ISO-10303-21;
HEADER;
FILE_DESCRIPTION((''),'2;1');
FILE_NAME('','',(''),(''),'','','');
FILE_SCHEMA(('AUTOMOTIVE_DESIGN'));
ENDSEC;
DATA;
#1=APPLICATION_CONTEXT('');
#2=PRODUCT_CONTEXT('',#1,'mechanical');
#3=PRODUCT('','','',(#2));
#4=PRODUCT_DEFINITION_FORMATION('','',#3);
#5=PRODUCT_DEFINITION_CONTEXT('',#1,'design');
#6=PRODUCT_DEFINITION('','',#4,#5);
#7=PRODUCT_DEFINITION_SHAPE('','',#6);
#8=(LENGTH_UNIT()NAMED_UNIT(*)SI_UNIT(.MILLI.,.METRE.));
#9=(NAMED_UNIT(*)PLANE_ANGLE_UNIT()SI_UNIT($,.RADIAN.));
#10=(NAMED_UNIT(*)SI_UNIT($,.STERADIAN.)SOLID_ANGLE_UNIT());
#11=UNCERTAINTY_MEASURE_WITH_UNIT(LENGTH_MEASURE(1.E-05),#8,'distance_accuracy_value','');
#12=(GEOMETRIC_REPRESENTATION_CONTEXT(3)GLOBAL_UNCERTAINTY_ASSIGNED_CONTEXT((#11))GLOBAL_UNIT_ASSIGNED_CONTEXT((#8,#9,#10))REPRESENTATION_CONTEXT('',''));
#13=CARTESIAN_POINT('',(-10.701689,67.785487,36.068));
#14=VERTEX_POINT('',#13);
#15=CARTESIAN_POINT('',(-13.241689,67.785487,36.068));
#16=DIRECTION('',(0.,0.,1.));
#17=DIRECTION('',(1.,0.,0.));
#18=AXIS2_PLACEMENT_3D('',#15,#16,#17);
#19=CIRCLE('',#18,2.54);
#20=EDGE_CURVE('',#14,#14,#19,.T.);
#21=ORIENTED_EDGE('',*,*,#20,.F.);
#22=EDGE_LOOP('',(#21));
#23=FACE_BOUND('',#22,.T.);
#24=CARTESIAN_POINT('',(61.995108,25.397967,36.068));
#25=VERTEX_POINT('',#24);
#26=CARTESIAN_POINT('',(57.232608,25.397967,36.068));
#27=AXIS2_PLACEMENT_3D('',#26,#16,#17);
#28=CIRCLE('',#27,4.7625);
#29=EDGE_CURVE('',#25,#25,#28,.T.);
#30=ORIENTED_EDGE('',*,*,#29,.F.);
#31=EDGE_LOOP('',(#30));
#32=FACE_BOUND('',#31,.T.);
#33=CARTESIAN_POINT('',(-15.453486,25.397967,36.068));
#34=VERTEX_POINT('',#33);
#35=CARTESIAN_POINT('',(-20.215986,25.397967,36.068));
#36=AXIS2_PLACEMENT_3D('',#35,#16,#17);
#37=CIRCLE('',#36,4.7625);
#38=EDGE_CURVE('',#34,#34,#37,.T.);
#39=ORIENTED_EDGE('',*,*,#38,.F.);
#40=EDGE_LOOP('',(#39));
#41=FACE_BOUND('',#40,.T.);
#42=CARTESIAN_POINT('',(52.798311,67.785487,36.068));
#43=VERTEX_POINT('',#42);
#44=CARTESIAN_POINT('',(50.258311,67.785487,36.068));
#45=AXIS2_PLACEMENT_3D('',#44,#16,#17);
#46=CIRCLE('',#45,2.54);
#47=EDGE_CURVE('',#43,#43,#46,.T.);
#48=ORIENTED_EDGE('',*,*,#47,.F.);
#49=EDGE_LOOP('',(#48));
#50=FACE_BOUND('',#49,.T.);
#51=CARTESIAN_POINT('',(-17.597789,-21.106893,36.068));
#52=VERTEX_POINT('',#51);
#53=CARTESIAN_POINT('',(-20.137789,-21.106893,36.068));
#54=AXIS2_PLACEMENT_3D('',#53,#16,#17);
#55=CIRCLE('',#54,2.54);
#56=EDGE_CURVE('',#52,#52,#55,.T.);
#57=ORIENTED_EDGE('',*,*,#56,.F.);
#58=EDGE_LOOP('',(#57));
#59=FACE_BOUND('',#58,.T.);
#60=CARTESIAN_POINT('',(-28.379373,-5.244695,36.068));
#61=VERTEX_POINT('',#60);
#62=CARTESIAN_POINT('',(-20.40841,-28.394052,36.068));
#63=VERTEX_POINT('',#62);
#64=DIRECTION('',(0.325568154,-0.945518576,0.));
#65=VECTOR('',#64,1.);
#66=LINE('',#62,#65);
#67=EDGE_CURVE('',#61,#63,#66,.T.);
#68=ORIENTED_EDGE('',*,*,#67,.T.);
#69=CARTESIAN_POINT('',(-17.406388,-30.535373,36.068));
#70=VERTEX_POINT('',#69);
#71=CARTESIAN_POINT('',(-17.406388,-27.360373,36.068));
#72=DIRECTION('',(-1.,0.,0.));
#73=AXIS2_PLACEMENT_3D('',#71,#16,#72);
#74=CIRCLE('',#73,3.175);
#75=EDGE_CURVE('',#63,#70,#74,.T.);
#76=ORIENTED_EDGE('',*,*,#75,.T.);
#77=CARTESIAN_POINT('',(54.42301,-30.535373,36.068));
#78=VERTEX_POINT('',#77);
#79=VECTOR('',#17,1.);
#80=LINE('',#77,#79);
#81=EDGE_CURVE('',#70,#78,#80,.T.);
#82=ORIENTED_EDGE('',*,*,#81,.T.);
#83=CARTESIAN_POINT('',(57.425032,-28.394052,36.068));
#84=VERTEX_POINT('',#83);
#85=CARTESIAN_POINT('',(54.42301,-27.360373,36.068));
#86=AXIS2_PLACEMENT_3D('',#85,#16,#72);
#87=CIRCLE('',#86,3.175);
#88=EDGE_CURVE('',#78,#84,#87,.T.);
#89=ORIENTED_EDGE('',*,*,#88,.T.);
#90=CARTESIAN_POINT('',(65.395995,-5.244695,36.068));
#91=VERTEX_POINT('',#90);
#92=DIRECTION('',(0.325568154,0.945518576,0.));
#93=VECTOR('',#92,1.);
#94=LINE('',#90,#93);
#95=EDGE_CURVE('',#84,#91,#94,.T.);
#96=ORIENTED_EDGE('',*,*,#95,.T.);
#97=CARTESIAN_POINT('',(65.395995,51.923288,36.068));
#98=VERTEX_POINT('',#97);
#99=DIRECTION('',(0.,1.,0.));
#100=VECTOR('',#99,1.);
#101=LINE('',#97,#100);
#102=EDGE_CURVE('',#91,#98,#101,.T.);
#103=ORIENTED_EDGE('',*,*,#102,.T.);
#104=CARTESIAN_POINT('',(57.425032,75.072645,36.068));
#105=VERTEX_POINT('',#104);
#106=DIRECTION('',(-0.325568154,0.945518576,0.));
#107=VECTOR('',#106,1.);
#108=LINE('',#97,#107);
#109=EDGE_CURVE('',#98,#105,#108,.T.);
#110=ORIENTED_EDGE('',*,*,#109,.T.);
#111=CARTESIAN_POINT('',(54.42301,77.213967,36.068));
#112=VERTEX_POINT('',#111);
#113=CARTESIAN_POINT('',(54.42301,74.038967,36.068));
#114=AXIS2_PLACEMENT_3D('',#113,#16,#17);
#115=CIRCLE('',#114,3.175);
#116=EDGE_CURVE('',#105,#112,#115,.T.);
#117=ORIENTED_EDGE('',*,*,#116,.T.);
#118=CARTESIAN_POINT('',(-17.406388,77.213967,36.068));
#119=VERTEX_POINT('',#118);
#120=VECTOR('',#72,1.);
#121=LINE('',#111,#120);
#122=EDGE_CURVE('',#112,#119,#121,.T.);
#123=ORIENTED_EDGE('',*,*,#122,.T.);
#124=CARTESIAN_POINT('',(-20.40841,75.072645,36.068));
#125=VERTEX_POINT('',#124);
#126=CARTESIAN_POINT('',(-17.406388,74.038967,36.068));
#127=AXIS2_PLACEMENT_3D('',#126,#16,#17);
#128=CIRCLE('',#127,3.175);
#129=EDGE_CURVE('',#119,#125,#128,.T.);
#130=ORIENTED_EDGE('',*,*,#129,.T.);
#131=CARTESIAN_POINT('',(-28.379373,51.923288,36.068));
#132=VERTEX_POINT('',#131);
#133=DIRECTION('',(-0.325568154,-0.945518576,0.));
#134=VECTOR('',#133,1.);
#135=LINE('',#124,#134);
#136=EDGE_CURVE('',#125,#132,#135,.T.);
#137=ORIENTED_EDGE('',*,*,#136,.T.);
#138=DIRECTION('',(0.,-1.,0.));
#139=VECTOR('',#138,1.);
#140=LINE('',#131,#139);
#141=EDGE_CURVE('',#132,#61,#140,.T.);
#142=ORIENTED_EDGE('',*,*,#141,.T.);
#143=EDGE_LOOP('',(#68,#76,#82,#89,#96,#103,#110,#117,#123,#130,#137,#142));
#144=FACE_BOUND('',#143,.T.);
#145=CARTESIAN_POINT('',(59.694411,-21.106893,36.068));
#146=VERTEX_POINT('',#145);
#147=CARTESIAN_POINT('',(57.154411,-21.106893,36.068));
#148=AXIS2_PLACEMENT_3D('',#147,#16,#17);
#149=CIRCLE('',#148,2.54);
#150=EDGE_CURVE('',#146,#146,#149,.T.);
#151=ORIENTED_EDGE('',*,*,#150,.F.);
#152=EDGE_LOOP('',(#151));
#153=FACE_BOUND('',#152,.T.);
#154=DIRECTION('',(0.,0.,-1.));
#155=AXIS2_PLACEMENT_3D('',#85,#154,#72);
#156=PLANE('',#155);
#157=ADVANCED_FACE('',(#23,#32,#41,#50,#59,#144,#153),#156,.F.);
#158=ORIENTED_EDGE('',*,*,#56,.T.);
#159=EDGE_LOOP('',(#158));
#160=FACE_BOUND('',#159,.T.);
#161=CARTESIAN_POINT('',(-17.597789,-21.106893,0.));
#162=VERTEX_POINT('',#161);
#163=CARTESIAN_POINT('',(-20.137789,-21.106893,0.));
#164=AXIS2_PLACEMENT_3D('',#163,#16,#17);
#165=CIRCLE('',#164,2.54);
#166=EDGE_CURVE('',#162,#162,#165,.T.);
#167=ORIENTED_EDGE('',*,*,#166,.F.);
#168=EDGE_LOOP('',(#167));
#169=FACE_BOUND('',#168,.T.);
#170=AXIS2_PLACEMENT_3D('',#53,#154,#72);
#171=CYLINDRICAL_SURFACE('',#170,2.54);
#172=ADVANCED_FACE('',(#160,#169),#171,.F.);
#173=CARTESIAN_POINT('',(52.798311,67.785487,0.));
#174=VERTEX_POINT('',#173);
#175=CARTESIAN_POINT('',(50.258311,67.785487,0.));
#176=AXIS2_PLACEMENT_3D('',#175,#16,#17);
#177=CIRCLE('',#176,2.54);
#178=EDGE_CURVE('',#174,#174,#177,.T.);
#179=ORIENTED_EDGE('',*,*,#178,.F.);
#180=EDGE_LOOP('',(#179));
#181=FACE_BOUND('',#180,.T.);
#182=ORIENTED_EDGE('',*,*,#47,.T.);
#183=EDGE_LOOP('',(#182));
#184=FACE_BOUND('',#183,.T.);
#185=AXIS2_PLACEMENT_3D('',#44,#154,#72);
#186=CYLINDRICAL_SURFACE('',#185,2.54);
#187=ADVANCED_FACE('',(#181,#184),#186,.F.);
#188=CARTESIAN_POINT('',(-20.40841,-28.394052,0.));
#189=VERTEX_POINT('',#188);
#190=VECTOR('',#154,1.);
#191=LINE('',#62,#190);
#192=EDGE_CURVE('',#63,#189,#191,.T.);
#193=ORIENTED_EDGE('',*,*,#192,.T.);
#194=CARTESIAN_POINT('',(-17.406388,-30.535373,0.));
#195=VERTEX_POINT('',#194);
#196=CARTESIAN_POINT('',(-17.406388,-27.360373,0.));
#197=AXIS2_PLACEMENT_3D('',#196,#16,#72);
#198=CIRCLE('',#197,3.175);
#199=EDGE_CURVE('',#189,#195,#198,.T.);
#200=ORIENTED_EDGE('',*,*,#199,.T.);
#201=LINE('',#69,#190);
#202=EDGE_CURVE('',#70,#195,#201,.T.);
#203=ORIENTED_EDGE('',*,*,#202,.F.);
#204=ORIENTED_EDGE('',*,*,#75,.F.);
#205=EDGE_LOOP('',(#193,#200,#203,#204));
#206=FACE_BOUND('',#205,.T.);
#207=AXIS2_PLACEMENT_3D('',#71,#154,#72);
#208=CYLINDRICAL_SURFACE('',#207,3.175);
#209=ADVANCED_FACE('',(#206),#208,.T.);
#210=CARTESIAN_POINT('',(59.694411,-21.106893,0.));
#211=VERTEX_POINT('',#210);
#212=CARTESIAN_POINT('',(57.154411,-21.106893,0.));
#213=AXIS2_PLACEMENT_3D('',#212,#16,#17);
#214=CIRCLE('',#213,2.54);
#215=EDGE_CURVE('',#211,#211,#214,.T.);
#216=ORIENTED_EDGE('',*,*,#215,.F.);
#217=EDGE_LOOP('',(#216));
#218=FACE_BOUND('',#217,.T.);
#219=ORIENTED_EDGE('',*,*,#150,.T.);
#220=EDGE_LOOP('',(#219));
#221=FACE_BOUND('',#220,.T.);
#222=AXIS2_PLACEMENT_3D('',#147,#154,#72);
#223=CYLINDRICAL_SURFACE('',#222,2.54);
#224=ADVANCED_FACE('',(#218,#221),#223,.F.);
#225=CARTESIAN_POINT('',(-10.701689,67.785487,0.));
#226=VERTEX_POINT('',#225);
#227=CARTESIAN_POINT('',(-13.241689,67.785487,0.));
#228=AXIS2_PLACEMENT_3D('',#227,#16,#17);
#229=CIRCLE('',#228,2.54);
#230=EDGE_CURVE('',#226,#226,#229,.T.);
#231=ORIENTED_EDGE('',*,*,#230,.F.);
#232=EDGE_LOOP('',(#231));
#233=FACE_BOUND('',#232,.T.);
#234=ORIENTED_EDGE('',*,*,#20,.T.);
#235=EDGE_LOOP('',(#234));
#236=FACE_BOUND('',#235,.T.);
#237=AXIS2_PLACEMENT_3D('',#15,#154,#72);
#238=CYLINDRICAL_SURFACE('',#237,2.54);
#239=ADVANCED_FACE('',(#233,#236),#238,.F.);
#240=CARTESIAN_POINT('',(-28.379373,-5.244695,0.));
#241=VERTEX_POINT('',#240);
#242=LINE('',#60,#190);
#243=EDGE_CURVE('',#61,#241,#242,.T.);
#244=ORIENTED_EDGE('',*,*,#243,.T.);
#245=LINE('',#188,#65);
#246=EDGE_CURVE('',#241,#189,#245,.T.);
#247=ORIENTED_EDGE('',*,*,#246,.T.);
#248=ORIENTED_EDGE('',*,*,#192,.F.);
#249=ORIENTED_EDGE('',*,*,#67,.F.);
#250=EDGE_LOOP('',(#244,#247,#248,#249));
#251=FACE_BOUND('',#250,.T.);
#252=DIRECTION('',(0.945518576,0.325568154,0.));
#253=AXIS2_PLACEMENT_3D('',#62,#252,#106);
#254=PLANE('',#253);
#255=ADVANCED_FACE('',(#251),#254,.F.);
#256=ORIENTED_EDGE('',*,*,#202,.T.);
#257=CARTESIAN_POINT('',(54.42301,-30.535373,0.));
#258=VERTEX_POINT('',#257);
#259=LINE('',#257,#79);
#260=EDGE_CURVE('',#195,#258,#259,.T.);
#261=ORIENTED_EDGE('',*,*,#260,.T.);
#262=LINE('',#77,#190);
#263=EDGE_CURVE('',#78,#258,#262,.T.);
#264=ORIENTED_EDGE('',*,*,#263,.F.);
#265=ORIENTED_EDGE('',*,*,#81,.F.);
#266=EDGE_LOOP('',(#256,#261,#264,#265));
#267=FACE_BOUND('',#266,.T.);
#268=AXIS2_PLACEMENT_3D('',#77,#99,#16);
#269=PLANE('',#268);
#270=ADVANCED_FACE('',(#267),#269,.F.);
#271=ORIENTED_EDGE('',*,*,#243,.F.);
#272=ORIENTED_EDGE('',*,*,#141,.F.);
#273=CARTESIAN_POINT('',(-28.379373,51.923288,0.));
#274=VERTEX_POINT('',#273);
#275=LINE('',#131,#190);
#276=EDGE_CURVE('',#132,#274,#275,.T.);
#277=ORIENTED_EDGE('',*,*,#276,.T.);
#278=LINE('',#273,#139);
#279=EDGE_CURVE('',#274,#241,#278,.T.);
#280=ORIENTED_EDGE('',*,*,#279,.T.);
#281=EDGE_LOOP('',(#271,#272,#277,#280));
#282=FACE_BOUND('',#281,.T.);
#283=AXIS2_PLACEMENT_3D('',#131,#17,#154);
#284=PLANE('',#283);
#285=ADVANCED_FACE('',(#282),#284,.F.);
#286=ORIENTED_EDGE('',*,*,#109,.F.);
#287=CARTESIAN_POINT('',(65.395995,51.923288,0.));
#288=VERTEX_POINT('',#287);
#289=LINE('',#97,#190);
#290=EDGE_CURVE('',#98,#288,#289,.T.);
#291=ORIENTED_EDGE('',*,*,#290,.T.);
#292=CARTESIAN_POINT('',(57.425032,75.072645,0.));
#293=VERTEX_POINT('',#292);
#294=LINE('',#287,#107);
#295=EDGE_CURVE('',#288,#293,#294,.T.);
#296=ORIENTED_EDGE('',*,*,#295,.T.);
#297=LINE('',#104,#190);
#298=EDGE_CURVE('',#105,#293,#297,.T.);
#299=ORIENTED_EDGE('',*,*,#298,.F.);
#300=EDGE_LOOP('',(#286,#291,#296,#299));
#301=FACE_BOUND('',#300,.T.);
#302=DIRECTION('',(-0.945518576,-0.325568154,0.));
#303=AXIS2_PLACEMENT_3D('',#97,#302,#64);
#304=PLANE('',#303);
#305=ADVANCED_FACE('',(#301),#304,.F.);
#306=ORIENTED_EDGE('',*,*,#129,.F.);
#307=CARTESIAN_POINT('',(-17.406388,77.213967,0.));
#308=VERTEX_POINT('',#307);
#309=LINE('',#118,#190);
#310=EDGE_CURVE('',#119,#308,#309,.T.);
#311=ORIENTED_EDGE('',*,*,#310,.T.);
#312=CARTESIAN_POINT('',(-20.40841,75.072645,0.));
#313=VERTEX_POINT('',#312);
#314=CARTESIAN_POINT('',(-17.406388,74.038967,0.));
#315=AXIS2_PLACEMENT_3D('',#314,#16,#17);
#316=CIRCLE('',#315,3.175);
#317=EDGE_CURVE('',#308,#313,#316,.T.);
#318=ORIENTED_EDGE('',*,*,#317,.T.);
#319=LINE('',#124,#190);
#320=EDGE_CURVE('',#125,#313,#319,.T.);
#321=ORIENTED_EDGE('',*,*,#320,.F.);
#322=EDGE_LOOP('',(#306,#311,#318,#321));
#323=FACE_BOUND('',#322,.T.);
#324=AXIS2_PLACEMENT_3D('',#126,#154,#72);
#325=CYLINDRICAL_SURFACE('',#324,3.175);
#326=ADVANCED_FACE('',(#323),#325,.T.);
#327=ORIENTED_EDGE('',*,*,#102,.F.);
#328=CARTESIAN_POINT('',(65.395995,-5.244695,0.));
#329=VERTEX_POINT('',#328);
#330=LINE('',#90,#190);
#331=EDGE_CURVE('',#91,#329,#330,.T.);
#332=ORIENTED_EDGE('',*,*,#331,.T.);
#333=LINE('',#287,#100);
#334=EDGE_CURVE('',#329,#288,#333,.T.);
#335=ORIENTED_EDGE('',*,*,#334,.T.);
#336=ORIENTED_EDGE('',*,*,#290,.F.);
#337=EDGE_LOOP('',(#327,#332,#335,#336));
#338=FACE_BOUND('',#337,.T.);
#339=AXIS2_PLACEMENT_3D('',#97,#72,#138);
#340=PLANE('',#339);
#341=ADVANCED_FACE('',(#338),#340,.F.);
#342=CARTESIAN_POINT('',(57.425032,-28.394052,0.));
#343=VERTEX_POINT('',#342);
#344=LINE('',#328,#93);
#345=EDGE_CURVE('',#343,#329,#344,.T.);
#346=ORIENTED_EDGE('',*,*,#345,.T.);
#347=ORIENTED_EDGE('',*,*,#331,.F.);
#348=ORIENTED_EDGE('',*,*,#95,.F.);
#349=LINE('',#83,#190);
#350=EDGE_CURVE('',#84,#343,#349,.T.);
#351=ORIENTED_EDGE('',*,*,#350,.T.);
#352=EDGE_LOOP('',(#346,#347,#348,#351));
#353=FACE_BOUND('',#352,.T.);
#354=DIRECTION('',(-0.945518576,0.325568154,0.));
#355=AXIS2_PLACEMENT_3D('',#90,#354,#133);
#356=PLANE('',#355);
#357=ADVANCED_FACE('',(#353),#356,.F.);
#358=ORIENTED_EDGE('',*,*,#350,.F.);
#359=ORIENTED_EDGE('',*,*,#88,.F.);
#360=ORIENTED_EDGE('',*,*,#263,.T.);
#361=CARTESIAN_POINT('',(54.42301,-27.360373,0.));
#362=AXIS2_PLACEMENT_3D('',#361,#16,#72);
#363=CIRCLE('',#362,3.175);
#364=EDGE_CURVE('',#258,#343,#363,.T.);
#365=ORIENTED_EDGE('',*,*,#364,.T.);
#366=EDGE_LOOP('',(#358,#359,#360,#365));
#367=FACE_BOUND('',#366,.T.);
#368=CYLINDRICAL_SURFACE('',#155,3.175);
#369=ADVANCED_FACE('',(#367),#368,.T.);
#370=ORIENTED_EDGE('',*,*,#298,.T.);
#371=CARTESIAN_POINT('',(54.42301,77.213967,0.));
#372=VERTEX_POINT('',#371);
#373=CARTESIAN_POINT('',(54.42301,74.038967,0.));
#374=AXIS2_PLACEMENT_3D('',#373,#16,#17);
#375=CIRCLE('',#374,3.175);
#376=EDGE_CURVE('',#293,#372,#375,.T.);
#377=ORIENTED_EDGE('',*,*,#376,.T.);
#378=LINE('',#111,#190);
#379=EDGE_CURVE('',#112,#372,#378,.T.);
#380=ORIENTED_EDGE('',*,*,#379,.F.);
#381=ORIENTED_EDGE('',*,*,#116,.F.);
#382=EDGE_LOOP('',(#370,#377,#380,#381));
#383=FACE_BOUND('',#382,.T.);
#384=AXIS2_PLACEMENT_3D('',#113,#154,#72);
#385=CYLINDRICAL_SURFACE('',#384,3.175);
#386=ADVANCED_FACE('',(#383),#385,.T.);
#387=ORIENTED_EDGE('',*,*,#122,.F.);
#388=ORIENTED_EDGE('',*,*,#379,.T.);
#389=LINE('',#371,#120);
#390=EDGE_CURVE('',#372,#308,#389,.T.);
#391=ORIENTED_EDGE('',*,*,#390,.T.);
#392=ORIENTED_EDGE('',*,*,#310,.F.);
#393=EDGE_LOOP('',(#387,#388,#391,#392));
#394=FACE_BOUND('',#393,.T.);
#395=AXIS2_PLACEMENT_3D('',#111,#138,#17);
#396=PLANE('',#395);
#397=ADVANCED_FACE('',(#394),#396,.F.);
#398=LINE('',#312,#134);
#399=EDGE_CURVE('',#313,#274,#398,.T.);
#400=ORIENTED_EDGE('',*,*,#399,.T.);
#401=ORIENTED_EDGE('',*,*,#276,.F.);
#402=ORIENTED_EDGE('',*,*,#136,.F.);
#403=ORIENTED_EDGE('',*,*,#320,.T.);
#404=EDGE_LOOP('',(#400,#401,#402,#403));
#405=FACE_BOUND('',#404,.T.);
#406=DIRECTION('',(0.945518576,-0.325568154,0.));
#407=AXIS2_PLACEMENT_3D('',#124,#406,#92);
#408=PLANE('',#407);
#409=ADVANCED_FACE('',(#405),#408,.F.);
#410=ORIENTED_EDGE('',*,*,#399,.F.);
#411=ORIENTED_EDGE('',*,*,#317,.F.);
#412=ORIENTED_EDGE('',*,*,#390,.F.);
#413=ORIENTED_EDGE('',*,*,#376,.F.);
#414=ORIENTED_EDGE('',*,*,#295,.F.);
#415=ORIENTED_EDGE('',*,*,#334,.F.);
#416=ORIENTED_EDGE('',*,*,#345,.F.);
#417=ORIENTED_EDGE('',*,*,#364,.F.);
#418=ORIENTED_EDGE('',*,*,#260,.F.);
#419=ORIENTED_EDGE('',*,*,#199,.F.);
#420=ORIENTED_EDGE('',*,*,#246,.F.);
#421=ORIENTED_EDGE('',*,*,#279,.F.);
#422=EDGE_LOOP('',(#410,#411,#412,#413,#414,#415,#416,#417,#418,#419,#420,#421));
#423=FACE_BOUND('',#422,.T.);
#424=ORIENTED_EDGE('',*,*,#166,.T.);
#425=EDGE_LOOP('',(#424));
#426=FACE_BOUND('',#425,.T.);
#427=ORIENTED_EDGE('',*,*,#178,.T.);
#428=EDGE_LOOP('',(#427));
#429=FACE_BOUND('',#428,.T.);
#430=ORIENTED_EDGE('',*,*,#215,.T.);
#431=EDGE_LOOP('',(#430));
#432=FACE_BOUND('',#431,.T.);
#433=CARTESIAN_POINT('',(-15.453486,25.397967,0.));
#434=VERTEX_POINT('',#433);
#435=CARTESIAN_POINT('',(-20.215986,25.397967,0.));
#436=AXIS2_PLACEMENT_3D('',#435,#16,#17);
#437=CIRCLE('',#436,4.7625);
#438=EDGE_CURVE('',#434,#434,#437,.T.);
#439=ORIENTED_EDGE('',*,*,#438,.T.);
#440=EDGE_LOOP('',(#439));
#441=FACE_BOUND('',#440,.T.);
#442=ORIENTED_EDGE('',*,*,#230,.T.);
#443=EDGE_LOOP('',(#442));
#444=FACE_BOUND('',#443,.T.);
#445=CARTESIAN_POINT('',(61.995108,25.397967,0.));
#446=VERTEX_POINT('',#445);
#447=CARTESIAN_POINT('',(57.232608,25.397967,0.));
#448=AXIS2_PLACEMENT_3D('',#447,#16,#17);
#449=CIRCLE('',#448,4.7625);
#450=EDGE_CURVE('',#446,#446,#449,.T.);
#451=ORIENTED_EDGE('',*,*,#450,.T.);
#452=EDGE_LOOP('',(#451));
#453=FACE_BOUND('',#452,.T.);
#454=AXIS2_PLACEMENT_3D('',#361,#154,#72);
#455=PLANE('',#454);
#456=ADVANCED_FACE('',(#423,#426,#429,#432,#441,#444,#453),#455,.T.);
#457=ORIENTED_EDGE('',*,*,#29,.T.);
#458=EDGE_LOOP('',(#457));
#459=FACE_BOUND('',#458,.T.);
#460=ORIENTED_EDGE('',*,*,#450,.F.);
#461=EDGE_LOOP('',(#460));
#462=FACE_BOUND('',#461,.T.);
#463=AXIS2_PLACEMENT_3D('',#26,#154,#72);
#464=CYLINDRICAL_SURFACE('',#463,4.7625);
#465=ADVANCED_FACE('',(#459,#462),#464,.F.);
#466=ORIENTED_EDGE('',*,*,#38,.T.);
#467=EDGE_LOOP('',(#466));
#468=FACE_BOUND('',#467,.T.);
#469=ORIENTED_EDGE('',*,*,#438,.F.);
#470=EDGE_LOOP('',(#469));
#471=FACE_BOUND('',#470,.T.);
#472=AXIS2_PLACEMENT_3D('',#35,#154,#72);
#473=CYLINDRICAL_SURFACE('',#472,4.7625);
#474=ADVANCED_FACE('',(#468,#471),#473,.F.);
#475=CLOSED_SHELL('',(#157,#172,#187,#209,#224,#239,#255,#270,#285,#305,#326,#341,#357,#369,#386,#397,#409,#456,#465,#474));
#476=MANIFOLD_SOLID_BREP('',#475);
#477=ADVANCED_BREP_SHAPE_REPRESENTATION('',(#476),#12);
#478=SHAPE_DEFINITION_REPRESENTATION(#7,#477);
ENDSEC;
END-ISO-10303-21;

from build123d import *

# Parameters (mm, degrees)
SKETCH1_R           = 2.54
SKETCH1_R_2         = 4.7625
BOSS_EXTRUDE1_DEPTH = 36.068


with BuildPart() as part:
    # Sketch1 → Boss-Extrude1 (new body)
    with BuildSketch(Plane.XY):
        with BuildLine():
            Line((65.395995047, 51.923287663), (57.425031933, 75.072645444))
            ThreePointArc((57.425031933, 75.072645444), (56.26674234, 76.623783324), (54.423010456, 77.213966553))
            Line((54.423010456, 77.213966553), (-17.406388387, 77.213966553))
            ThreePointArc((-17.406388387, 77.213966553), (-19.250120272, 76.623783324), (-20.408409865, 75.072645444))
            Line((-20.408409865, 75.072645444), (-28.379372979, 51.923287663))
            Line((-28.379372979, 51.923287663), (-28.379372979, -5.244694556))
            Line((-28.379372979, -5.244694556), (-20.408409865, -28.394052337))
            ThreePointArc((-20.408409865, -28.394052337), (-19.250120272, -29.945190218), (-17.406388387, -30.535373447))
            Line((-17.406388387, -30.535373447), (54.423010456, -30.535373447))
            ThreePointArc((54.423010456, -30.535373447), (56.26674234, -29.945190218), (57.425031933, -28.394052337))
            Line((57.425031933, -28.394052337), (65.395995047, -5.244694556))
            Line((65.395995047, -5.244694556), (65.395995047, 51.923287663))
        make_face()
        with Locations((-13.241688966, 67.785486553)):
            Circle(SKETCH1_R, mode=Mode.SUBTRACT)
        with Locations((50.258311034, 67.785486553)):
            Circle(SKETCH1_R, mode=Mode.SUBTRACT)
        with Locations((-20.137788966, -21.106893447)):
            Circle(SKETCH1_R, mode=Mode.SUBTRACT)
        with Locations((57.154411034, -21.106893447)):
            Circle(SKETCH1_R, mode=Mode.SUBTRACT)
        with Locations((-20.215986176, 25.397966553)):
            Circle(SKETCH1_R_2, mode=Mode.SUBTRACT)
        with Locations((57.232608244, 25.397966553)):
            Circle(SKETCH1_R_2, mode=Mode.SUBTRACT)
    extrude(amount=BOSS_EXTRUDE1_DEPTH)


solid = part.part
